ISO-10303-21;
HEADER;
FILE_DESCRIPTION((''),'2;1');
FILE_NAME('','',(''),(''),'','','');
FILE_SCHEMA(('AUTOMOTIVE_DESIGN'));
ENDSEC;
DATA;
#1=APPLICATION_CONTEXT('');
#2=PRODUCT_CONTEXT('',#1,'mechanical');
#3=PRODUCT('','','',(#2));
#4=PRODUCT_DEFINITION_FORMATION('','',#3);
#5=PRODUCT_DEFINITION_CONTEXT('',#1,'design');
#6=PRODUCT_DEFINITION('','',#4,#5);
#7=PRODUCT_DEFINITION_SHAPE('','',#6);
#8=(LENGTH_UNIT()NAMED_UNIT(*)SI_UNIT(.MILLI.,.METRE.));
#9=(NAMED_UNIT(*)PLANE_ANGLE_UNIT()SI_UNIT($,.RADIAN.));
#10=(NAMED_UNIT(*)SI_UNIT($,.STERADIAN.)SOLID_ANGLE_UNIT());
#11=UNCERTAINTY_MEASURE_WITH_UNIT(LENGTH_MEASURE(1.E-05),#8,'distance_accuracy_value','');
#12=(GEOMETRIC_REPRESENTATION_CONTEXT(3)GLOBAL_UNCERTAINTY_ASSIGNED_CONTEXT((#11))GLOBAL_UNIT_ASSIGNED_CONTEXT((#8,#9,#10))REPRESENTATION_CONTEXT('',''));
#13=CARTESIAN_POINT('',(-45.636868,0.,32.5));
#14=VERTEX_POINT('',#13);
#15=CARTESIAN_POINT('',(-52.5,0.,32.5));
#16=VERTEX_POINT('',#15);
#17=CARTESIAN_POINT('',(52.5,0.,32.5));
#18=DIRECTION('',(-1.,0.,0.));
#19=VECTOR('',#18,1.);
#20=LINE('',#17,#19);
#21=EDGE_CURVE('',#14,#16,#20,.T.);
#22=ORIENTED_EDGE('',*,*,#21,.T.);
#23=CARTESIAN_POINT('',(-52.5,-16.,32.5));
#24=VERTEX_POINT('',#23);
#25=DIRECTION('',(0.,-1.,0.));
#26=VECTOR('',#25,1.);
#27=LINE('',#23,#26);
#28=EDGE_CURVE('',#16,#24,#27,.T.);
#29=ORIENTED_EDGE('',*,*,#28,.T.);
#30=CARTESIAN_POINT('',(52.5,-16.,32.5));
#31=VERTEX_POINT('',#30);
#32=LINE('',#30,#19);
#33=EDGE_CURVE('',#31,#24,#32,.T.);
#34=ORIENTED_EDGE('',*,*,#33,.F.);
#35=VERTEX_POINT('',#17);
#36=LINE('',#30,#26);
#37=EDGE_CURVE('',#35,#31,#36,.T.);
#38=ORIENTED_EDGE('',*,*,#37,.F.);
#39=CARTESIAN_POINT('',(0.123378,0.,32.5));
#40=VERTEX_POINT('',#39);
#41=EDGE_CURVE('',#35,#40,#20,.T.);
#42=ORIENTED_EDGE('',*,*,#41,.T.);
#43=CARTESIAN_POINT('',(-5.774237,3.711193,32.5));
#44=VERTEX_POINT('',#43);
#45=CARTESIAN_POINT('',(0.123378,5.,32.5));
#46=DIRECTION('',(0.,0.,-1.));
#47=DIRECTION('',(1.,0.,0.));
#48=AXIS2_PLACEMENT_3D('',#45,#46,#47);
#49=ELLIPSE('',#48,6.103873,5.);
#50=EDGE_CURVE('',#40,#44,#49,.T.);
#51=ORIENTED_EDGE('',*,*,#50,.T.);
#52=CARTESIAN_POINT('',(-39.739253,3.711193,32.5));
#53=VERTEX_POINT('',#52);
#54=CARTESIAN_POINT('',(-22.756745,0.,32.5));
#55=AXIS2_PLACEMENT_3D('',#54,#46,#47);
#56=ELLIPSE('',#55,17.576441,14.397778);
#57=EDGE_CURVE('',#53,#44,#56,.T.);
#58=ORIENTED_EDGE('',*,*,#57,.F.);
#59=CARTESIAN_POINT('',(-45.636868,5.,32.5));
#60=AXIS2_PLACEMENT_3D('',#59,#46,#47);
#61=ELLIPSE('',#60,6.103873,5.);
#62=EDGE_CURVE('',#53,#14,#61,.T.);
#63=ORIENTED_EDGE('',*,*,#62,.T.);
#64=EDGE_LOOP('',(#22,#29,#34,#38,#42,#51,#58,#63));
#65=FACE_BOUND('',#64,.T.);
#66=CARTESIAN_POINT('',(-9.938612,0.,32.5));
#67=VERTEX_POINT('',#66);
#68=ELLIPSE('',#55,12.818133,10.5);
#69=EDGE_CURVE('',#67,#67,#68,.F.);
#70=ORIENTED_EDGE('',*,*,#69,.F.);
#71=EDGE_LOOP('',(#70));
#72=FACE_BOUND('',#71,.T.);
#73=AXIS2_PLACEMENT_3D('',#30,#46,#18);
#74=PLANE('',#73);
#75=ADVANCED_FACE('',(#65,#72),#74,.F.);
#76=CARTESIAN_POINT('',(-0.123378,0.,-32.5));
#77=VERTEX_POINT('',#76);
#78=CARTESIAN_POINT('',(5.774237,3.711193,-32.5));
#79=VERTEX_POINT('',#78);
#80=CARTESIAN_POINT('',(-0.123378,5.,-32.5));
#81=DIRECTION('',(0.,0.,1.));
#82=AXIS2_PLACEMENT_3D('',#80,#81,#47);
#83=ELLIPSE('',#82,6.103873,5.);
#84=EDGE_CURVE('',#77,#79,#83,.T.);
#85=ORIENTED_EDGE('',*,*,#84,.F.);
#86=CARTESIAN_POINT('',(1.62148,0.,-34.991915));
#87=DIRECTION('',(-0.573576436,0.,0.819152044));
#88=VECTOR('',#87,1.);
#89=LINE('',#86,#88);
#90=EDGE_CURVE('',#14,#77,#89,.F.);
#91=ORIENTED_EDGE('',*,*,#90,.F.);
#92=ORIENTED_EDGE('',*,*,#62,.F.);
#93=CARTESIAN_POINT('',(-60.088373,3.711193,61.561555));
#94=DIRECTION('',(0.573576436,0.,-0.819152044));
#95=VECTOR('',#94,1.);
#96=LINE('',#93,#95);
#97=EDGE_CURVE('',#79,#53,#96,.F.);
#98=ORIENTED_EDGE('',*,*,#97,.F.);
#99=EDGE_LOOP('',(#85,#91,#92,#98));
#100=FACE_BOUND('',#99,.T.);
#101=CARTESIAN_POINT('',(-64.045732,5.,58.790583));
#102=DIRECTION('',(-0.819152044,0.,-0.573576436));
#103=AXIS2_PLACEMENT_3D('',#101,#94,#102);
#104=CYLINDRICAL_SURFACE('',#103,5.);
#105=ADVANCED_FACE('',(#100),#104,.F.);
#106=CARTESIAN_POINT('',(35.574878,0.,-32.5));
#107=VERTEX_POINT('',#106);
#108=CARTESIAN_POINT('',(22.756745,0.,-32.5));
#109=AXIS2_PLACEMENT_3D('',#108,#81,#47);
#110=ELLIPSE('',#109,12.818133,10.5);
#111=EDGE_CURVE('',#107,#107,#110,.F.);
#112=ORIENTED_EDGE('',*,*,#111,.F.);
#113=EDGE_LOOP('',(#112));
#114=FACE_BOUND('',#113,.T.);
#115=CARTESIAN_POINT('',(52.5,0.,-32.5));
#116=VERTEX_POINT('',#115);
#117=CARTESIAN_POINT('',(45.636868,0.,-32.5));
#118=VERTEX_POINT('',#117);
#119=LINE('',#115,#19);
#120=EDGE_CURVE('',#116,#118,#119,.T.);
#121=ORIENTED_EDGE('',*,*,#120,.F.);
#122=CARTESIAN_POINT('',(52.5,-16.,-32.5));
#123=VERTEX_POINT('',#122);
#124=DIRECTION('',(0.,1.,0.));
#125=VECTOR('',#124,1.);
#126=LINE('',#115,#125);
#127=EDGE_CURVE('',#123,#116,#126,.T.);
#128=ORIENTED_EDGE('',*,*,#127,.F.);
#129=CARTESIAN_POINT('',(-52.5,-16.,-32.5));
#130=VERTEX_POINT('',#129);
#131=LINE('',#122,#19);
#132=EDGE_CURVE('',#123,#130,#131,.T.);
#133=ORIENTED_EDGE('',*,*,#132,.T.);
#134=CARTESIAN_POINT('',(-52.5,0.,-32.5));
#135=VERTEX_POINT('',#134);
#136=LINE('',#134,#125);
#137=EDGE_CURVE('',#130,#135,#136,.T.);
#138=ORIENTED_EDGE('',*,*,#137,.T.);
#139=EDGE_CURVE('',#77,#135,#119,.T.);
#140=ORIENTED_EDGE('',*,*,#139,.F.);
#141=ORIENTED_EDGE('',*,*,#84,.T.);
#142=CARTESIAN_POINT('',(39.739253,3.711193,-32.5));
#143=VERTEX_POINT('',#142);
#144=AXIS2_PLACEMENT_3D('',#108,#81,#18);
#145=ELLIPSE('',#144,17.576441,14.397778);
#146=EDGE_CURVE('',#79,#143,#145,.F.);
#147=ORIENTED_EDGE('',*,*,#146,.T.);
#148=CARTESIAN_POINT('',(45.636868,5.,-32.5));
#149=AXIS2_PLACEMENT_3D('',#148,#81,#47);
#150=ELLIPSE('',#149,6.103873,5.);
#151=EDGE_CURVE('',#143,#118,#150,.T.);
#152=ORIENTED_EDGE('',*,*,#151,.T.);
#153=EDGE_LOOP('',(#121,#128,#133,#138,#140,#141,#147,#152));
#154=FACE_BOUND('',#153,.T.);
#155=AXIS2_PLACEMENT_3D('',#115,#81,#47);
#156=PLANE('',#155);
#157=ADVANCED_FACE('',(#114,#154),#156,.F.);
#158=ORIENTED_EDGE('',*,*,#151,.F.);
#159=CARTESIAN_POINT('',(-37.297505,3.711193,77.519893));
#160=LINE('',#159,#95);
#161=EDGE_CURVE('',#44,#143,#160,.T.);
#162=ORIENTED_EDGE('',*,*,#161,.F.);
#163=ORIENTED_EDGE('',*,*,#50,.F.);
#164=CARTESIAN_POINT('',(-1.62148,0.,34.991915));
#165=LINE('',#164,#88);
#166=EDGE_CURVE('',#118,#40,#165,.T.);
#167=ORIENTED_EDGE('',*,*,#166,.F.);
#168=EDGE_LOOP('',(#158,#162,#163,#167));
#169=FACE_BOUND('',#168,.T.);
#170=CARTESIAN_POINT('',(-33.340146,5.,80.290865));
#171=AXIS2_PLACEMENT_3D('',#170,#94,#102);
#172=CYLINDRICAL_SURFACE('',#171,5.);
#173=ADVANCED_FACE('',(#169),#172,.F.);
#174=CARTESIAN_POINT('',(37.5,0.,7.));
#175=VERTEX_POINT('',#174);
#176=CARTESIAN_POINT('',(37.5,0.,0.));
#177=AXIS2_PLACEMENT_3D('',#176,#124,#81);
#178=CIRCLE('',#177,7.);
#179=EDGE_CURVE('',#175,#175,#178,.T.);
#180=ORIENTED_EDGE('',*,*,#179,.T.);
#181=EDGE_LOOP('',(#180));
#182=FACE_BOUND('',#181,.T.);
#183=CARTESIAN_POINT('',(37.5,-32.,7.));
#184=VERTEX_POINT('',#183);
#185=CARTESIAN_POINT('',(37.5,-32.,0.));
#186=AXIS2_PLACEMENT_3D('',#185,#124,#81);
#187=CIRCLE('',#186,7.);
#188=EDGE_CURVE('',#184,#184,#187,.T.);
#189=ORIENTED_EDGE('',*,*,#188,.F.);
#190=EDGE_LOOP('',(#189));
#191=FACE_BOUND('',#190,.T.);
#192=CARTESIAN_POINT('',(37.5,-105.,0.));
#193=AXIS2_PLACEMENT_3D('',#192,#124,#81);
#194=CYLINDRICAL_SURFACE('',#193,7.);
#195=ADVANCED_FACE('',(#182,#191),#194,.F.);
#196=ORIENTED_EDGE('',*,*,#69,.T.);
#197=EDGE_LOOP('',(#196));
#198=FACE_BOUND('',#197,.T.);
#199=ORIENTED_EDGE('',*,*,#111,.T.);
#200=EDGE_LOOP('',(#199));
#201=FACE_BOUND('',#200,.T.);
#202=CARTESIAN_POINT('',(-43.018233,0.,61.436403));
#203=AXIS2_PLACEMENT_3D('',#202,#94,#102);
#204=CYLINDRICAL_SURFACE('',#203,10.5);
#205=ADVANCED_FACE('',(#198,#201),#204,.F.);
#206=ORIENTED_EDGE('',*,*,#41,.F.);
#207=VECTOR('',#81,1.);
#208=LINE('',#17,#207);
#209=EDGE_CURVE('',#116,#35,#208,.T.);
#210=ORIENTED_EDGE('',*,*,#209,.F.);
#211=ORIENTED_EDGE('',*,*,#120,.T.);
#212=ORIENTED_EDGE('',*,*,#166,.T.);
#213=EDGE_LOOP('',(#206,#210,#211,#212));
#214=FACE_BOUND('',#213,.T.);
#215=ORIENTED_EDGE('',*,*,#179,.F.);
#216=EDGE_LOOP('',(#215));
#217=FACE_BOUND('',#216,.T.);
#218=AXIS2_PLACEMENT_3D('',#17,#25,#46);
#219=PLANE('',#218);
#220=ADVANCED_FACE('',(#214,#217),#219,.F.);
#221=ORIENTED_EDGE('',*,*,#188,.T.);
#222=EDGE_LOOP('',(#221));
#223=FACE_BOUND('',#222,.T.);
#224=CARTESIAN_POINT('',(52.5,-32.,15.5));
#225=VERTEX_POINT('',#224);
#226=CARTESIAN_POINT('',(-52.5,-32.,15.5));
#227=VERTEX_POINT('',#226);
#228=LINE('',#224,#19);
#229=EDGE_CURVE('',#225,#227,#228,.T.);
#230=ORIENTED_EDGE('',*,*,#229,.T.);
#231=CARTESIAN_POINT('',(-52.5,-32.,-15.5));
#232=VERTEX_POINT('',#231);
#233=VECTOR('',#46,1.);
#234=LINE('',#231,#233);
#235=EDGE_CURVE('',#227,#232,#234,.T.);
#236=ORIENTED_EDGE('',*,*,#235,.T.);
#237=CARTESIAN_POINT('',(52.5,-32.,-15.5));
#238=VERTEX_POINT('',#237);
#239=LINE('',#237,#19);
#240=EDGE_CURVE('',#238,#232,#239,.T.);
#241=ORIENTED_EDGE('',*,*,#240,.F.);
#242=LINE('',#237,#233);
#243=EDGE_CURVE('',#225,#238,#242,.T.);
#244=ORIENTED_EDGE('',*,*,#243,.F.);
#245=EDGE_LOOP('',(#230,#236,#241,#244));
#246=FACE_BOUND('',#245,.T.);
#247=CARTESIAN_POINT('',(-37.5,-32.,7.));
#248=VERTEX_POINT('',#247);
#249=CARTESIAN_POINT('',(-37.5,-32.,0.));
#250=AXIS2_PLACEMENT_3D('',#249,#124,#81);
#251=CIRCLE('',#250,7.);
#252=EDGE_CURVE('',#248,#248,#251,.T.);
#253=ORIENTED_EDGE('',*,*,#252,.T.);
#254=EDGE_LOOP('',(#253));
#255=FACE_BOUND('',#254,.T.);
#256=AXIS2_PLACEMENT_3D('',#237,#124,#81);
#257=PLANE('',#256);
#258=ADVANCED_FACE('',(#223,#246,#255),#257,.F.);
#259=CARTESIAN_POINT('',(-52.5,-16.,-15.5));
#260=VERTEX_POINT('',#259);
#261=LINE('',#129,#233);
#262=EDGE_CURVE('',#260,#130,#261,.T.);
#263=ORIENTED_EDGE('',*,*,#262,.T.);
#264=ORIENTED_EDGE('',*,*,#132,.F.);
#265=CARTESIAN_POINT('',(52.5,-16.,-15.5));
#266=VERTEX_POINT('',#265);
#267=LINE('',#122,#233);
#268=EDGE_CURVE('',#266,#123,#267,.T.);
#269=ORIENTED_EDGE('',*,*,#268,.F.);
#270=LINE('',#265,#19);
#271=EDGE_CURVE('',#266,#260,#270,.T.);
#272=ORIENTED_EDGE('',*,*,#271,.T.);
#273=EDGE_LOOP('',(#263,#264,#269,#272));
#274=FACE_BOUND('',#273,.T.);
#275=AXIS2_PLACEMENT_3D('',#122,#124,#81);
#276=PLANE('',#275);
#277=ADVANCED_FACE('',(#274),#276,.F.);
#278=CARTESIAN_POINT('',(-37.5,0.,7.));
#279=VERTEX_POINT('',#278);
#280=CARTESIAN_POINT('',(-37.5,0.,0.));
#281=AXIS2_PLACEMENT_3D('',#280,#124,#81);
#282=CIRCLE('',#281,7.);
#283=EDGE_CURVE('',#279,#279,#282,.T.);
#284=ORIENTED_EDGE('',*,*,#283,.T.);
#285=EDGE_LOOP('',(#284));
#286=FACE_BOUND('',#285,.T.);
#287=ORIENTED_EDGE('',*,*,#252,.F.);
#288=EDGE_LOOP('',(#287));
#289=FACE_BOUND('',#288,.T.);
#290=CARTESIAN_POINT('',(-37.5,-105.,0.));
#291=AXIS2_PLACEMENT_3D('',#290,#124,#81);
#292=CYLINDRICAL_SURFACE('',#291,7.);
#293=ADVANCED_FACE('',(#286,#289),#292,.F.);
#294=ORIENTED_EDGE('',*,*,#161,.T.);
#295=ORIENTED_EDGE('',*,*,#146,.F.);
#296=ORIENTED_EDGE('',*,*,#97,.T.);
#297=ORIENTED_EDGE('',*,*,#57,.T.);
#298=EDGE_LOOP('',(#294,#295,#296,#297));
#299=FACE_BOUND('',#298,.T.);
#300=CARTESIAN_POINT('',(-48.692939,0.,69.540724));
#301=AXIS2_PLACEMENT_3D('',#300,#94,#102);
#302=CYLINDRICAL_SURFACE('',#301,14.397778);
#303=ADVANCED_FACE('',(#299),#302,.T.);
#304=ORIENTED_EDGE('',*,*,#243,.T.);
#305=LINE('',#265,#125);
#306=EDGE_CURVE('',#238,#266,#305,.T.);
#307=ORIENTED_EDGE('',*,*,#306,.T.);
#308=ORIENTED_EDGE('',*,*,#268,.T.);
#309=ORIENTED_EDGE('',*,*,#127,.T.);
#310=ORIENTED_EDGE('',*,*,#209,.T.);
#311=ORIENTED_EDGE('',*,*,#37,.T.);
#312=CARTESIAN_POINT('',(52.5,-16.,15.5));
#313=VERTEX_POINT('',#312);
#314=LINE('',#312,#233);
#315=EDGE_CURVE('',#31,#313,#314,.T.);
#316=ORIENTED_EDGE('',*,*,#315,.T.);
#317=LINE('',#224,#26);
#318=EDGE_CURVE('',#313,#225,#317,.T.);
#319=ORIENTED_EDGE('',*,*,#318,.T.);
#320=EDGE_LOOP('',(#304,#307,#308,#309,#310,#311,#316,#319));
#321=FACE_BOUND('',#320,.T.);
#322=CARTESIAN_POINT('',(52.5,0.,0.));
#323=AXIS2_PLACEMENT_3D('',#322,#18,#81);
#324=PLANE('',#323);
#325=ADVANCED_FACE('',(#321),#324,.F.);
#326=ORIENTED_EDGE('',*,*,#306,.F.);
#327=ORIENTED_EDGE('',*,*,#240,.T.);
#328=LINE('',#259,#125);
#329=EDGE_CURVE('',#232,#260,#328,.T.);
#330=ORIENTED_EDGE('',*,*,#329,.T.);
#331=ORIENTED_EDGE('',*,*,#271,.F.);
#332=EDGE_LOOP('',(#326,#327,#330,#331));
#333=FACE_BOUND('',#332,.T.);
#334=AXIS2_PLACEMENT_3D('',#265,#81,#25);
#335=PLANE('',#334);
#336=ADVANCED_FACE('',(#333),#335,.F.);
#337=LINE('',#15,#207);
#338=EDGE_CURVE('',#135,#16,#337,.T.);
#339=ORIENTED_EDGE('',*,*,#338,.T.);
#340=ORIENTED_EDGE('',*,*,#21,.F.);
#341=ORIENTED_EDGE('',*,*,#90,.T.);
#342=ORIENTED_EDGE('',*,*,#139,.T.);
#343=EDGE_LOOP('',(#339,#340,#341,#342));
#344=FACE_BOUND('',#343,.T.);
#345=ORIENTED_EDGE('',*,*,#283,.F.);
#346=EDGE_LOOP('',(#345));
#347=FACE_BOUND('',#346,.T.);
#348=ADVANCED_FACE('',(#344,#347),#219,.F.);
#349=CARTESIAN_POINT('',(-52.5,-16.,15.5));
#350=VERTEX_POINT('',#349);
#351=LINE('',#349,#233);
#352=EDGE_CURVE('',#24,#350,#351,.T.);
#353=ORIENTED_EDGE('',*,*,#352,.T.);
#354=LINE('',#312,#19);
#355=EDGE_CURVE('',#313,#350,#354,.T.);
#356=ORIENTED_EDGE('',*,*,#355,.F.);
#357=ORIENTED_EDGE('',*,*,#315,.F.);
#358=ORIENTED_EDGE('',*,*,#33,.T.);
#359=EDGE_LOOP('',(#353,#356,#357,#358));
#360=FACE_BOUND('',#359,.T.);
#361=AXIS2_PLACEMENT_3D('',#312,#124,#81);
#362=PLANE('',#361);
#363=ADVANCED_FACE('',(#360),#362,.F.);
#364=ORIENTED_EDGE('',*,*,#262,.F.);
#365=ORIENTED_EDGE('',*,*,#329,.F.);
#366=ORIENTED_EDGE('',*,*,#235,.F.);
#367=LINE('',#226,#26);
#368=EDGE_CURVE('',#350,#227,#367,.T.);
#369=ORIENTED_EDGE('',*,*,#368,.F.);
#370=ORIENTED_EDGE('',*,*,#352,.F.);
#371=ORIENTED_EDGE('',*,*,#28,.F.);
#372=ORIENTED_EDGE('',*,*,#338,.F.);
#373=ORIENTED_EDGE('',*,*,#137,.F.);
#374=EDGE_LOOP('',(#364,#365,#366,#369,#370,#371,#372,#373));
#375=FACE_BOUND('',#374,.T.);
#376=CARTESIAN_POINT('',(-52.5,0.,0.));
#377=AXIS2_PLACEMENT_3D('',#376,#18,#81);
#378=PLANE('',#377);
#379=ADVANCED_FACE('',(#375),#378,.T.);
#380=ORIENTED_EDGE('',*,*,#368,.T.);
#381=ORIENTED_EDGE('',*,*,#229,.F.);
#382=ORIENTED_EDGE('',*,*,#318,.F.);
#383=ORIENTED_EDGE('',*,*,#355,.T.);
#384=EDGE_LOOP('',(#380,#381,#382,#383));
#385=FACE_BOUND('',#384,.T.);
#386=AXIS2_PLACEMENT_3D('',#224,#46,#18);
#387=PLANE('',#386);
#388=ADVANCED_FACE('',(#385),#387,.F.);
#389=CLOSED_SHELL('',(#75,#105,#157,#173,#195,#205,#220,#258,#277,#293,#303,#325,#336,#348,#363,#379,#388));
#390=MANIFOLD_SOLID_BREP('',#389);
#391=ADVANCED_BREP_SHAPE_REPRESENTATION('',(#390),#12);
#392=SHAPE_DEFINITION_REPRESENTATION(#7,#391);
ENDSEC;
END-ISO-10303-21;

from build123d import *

# Parameters (mm, degrees)
BOSS_EXTRUDE1_DEPTH     = 52.5
SKETCH2_R               = 7
CUT_EXTRUDE1_DEPTH      = 105
BOSS_EXTRUDE2_REACH     = 58.735
SKETCH5_R               = 14.397777867
BOSS_EXTRUDE3_REACH     = 58.735
SKETCH5_2_R             = 14.397777867
SKETCH7_R               = 10.5
CUT_EXTRUDE2_DEPTH      = 75
CUT_EXTRUDE2_DEPTH_BACK = 116
FILLET1_R               = 5


with BuildPart() as part:
    # Sketch1 → Boss-Extrude1 (new body, symmetric)
    with BuildSketch(Plane(origin=(0, 0, 0), x_dir=(0, 0, -1), z_dir=(1, 0, 0))):
        Polygon((-32.5, 0), (32.5, 0), (32.5, -16), (15.5, -16), (15.5, -32), (-15.5, -32), (-15.5, -16), (-32.5, -16), align=None)
    extrude(amount=BOSS_EXTRUDE1_DEPTH, both=True)

    # Sketch2 → Cut-Extrude1 (cut)
    with BuildSketch(Plane(origin=(0, 0, 0), x_dir=(1, 0, 0), z_dir=(0, 1, 0))):
        with Locations((37.5, 0)):
            Circle(SKETCH2_R)
        with Locations((-37.5, 0)):
            Circle(SKETCH2_R)
    extrude(amount=-CUT_EXTRUDE1_DEPTH, mode=Mode.SUBTRACT)

    # Boss-Extrude2: up to this face of the body (flat: up to its plane)
    boss_extrude2_end = Plane(part.part.faces().sort_by_distance((0, -8, 32.5))[0])
    # Sketch5 → Boss-Extrude2 (add, up to the picked face)
    with BuildSketch(Plane(origin=(0, 0, 0), x_dir=(0.819152044, 0, 0.573576436), z_dir=(-0.573576436, 0, 0.819152044)), mode=Mode.PRIVATE) as boss_extrude2_sk1:
        Circle(SKETCH5_R)
    boss_extrude2_tool1 = split(extrude(boss_extrude2_sk1.sketch, amount=BOSS_EXTRUDE2_REACH, mode=Mode.PRIVATE), bisect_by=boss_extrude2_end, keep=Keep.BOTH, mode=Mode.PRIVATE)
    add(boss_extrude2_tool1.solids().sort_by_distance((0, 0, 0))[0])

    # Boss-Extrude3: up to this face of the body (flat: up to its plane)
    boss_extrude3_end = Plane(part.part.faces().sort_by_distance((0, -8, -32.5))[0])
    # Sketch5<2> → Boss-Extrude3 (add, up to the picked face)
    with BuildSketch(Plane(origin=(0, 0, 0), x_dir=(0.819152044, 0, 0.573576436), z_dir=(-0.573576436, 0, 0.819152044)), mode=Mode.PRIVATE) as boss_extrude3_sk1:
        Circle(SKETCH5_2_R)
    boss_extrude3_tool1 = split(extrude(boss_extrude3_sk1.sketch, amount=-BOSS_EXTRUDE3_REACH, mode=Mode.PRIVATE), bisect_by=boss_extrude3_end, keep=Keep.BOTH, mode=Mode.PRIVATE)
    add(boss_extrude3_tool1.solids().sort_by_distance((0, 0, 0))[0])

    # Sketch7 → Cut-Extrude2 (cut, two sides)
    with BuildSketch(Plane(origin=(0, 0, 0), x_dir=(0.819152044, 0, 0.573576436), z_dir=(-0.573576436, 0, 0.819152044))) as cut_extrude2_sk:
        Circle(SKETCH7_R)
    extrude(amount=CUT_EXTRUDE2_DEPTH, mode=Mode.SUBTRACT)
    extrude(cut_extrude2_sk.sketch, amount=-CUT_EXTRUDE2_DEPTH_BACK, mode=Mode.SUBTRACT)

    # Fillet1
    fillet1_edges = [part.edges().sort_by_distance(p)[0] for p in [
        (17.576441355, 0, 0),
        (-17.576441355, 0, 0),
    ]]
    fillet(fillet1_edges, radius=FILLET1_R)


solid = part.part
